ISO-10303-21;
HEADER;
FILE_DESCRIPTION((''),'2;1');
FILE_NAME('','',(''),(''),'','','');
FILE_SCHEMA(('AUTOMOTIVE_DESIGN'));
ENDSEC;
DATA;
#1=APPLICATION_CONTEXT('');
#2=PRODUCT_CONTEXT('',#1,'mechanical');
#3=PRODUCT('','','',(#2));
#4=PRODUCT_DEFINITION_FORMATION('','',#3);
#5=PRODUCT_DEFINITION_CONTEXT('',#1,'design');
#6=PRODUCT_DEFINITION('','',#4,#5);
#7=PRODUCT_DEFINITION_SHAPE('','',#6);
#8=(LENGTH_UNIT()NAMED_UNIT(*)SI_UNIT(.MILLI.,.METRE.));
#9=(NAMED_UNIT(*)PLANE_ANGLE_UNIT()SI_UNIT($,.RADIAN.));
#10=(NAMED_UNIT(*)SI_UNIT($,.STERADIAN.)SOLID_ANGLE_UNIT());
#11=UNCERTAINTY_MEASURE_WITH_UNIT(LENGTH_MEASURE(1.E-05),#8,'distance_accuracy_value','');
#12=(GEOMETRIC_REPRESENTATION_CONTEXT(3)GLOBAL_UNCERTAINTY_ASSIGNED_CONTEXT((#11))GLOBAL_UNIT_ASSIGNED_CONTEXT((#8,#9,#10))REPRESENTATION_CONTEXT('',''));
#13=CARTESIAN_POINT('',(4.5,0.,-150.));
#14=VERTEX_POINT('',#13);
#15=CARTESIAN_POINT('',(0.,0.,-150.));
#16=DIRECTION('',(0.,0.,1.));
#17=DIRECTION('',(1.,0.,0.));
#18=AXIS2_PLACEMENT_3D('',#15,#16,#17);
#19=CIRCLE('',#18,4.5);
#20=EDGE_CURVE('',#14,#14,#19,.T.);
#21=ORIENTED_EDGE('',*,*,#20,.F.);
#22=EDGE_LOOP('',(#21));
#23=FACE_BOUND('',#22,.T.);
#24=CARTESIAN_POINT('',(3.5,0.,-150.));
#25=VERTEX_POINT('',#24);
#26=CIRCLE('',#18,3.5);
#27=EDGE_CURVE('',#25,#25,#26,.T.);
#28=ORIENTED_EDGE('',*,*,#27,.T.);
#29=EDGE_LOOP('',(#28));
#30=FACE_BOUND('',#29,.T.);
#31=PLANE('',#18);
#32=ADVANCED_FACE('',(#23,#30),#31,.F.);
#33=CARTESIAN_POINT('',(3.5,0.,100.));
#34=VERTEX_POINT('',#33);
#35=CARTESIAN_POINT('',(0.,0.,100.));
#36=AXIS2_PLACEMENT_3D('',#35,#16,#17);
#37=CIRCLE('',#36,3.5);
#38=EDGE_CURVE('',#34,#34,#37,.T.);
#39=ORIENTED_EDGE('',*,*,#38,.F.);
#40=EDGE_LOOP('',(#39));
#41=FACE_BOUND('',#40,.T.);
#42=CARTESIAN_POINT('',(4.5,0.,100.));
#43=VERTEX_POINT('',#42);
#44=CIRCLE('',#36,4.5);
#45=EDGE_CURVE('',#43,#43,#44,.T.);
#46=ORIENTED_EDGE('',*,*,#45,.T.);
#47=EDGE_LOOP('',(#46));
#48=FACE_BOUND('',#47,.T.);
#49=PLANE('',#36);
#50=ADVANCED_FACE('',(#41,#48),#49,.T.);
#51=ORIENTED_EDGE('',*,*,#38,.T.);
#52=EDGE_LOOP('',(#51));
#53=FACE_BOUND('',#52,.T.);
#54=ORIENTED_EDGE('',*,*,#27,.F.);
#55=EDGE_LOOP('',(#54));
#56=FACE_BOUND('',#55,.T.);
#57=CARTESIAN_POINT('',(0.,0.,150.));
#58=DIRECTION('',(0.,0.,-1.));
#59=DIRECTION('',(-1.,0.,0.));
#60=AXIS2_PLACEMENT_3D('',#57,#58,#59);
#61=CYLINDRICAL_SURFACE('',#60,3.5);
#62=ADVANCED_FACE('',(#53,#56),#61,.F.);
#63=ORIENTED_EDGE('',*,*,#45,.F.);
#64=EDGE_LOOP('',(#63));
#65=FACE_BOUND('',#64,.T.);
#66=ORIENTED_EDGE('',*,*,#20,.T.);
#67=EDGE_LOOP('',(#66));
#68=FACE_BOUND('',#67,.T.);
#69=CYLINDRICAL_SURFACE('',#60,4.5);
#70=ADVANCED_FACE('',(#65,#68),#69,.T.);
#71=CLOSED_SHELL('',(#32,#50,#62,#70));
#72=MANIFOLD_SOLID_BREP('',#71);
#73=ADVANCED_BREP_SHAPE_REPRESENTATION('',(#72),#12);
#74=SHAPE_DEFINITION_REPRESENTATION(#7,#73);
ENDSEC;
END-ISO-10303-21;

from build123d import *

# Parameters (mm, degrees)
SKETCH3_R           = 4.5
SKETCH3_R_2         = 3.5
BOSS_EXTRUDE1_DEPTH = 150
SKETCH4_R           = 4.5
CUT_EXTRUDE1_DEPTH  = 50


with BuildPart() as part:
    # Sketch3 → Boss-Extrude1 (new, symmetric)
    with BuildSketch(Plane.XY):
        Circle(SKETCH3_R)
        Circle(SKETCH3_R_2, mode=Mode.SUBTRACT)
    extrude(amount=BOSS_EXTRUDE1_DEPTH, both=True)

    # Sketch4 → Cut-Extrude1 (cut)
    with BuildSketch(Plane.XY.offset(150)):
        Circle(SKETCH4_R)
    extrude(amount=-CUT_EXTRUDE1_DEPTH, mode=Mode.SUBTRACT)


solid = part.part
